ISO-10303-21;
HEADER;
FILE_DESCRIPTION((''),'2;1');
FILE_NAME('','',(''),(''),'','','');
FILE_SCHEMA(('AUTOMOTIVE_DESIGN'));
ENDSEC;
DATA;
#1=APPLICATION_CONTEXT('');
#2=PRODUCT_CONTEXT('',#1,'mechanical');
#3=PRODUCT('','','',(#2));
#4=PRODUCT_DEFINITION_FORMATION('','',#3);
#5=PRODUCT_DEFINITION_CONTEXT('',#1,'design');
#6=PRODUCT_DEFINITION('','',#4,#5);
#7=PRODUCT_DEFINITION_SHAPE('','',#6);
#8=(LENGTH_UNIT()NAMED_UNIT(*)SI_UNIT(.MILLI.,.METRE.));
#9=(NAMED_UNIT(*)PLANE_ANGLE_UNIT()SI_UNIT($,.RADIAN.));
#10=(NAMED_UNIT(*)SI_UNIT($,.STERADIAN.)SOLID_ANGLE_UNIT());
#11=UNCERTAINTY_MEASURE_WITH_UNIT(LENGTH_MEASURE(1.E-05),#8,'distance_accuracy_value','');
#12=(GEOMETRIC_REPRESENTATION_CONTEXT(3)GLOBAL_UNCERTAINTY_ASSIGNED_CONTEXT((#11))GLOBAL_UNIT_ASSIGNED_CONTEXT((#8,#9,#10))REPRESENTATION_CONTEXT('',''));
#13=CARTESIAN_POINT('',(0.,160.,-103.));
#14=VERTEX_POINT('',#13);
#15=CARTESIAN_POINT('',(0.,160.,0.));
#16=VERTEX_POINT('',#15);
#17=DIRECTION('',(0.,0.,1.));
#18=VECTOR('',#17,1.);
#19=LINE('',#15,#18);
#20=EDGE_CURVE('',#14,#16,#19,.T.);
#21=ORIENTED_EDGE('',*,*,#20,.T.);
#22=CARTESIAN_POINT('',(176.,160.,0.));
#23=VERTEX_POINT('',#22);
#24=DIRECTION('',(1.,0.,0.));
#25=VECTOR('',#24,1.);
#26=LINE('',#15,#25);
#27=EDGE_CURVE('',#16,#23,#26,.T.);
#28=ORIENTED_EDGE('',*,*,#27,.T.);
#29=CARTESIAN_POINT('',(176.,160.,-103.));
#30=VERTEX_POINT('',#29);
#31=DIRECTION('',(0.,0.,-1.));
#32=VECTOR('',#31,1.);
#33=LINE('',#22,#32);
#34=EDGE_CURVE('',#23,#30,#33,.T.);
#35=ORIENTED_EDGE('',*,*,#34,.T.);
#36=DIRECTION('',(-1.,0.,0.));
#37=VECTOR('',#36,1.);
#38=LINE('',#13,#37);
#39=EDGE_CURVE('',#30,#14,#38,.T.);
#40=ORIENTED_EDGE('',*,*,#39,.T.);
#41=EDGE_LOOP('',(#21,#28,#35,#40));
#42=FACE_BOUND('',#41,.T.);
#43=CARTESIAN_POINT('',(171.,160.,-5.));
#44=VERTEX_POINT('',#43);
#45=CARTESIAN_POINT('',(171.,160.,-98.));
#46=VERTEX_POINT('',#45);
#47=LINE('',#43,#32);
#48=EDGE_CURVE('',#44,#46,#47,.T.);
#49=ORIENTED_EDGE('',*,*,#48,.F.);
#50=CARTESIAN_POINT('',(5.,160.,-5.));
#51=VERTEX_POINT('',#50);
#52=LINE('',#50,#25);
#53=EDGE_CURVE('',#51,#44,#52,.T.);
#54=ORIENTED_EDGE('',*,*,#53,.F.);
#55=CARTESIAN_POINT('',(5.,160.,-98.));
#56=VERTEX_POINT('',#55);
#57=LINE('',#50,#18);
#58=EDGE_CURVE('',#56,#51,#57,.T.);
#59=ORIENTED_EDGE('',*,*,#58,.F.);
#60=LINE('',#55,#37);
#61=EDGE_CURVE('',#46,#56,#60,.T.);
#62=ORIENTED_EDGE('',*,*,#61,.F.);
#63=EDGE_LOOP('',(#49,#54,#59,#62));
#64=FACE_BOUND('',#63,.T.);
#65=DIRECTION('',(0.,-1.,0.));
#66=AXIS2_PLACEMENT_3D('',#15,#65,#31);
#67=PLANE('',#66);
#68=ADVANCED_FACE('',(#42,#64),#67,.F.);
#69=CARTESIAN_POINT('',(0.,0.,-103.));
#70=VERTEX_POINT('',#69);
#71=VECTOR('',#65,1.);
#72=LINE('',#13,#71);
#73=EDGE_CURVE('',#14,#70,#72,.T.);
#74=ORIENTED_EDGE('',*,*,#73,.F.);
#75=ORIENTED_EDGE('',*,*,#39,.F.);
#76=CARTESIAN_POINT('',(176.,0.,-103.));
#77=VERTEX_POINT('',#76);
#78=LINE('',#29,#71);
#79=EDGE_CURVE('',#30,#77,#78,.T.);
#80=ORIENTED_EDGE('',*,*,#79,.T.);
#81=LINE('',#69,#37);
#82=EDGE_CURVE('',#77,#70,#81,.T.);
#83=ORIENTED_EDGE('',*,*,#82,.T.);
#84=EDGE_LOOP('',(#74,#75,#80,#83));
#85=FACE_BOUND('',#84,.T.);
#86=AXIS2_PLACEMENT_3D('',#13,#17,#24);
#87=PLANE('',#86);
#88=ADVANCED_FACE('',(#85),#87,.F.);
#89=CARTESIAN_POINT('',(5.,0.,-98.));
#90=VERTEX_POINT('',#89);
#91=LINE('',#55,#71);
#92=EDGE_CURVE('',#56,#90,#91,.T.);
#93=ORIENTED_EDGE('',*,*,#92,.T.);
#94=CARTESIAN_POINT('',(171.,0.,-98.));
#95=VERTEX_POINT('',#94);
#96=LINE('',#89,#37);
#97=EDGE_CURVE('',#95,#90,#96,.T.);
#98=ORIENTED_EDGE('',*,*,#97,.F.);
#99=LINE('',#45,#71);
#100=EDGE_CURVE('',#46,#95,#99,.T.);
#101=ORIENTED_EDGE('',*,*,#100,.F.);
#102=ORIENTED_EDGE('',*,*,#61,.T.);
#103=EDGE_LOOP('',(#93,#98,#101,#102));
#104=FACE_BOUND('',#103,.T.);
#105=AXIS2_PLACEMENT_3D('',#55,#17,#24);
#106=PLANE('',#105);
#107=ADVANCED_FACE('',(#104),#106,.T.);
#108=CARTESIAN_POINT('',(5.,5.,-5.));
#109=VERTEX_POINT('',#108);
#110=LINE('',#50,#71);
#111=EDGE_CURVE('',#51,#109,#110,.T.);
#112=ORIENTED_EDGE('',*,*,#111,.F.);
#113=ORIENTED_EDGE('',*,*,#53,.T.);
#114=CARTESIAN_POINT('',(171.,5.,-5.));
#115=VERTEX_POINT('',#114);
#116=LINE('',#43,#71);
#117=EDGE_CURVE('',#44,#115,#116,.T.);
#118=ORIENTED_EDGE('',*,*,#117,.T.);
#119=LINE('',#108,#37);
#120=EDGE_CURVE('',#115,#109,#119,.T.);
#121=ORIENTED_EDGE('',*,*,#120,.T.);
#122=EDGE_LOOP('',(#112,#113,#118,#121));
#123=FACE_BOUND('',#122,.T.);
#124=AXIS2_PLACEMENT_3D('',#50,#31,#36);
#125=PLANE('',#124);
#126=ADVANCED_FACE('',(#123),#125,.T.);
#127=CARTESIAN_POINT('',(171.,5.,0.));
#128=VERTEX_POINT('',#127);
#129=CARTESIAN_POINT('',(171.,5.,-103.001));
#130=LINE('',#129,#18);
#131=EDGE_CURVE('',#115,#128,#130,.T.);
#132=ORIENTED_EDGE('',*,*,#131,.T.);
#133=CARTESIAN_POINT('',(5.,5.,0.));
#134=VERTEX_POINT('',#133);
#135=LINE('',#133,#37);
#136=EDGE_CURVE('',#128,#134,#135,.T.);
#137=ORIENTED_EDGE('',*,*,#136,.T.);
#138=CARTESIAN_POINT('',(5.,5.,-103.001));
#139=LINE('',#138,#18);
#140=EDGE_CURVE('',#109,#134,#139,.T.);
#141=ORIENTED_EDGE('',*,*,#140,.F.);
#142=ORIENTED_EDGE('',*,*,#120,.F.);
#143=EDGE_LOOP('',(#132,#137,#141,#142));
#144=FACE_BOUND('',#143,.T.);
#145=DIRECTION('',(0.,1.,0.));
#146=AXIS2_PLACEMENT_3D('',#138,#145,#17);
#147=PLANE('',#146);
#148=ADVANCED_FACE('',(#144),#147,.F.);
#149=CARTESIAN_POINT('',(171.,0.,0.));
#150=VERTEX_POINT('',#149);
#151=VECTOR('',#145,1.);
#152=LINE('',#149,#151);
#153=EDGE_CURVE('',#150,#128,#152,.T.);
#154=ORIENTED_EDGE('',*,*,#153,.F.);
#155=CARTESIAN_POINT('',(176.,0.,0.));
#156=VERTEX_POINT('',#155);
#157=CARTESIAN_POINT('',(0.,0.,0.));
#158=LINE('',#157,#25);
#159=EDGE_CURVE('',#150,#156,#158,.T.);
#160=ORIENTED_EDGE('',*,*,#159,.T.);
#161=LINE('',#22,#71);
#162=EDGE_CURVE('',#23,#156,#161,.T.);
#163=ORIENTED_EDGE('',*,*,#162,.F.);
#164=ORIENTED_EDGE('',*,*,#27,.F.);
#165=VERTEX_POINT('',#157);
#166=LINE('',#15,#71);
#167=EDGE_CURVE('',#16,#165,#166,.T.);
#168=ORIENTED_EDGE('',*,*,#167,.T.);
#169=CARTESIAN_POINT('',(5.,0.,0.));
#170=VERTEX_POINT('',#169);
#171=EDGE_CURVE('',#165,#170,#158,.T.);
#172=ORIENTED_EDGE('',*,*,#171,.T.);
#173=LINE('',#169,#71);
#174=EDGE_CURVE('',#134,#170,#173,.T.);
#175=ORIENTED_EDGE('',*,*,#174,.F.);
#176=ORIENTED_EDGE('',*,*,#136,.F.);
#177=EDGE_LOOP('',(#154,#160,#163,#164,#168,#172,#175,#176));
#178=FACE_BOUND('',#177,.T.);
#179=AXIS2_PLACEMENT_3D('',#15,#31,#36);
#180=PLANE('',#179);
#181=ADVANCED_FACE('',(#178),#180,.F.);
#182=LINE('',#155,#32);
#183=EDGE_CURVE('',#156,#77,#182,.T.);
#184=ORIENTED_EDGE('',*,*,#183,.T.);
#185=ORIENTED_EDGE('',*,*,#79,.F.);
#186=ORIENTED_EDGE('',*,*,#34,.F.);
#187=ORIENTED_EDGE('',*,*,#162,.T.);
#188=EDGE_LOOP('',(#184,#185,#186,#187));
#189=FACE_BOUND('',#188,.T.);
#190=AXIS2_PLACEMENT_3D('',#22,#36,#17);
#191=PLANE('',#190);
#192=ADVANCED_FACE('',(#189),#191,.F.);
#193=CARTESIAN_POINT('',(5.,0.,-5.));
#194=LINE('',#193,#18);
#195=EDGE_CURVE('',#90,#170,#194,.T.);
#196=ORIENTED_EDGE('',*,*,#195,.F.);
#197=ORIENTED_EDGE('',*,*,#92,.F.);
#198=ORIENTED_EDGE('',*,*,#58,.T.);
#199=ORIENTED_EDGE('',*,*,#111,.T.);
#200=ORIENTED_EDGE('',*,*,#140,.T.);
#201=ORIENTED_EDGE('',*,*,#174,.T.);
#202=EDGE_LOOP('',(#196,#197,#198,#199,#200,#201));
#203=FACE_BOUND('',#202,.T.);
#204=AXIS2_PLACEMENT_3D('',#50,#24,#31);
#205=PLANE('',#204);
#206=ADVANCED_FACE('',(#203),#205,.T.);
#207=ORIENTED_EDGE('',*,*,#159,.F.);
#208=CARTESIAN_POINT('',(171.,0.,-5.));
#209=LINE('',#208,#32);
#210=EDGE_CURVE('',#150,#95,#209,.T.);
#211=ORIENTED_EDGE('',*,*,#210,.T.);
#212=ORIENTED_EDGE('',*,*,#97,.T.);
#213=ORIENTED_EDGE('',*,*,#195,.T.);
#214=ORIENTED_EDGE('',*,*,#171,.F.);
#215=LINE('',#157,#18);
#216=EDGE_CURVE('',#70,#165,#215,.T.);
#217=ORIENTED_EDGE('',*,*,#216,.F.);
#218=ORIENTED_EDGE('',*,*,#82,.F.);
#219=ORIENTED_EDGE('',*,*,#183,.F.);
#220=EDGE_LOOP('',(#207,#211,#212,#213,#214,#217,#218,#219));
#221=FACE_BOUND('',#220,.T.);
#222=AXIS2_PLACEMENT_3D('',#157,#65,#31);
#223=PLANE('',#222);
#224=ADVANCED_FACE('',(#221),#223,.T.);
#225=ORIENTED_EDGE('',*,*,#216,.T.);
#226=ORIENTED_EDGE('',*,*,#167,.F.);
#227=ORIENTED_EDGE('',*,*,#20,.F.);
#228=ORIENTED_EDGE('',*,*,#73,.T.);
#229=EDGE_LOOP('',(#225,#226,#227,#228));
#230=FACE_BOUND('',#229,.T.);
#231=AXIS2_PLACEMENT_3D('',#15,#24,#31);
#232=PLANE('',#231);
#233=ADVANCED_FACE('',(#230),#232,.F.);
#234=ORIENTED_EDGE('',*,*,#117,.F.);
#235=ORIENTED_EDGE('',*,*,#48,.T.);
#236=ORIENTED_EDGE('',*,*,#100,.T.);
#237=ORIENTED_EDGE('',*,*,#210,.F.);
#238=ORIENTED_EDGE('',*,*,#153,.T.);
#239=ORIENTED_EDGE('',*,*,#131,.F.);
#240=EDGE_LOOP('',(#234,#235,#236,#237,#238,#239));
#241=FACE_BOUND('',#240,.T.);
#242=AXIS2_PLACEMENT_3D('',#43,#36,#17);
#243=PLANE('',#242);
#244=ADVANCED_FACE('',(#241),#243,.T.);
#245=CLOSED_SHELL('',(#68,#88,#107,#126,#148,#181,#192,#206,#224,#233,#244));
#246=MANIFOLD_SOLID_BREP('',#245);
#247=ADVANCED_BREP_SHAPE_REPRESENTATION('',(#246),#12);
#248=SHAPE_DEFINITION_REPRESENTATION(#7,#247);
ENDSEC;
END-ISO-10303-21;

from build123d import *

# Parameters (mm, degrees)
SKETCH1_W           = 176
SKETCH1_H           = 103
SKETCH1_W_2         = 166
SKETCH1_H_2         = 93
BOSS_EXTRUDE1_DEPTH = 160
CUT_EXTRUDE1_REACH  = 261.201
SKETCH2_W           = 166
SKETCH2_H           = 5


with BuildPart() as part:
    # Sketch1 → Boss-Extrude1 (new body)
    with BuildSketch(Plane(origin=(0, 0, 0), x_dir=(1, 0, 0), z_dir=(0, 1, 0))):
        with Locations((88, 51.5)):
            Rectangle(SKETCH1_W, SKETCH1_H)
        with Locations((88, 51.5)):
            Rectangle(SKETCH1_W_2, SKETCH1_H_2, mode=Mode.SUBTRACT)
    extrude(amount=BOSS_EXTRUDE1_DEPTH)

    # Sketch2 → Cut-Extrude1 (cut, up to next)
    with BuildSketch(Plane.XY, mode=Mode.PRIVATE) as cut_extrude1_sk1:
        with Locations((88, 2.5)):
            Rectangle(SKETCH2_W, SKETCH2_H)
    cut_extrude1_tool1 = extrude(cut_extrude1_sk1.sketch, amount=-CUT_EXTRUDE1_REACH, mode=Mode.PRIVATE) & part.part
    add(cut_extrude1_tool1.solids().sort_by_distance((88, 2.5, 0))[0], mode=Mode.SUBTRACT)


solid = part.part
